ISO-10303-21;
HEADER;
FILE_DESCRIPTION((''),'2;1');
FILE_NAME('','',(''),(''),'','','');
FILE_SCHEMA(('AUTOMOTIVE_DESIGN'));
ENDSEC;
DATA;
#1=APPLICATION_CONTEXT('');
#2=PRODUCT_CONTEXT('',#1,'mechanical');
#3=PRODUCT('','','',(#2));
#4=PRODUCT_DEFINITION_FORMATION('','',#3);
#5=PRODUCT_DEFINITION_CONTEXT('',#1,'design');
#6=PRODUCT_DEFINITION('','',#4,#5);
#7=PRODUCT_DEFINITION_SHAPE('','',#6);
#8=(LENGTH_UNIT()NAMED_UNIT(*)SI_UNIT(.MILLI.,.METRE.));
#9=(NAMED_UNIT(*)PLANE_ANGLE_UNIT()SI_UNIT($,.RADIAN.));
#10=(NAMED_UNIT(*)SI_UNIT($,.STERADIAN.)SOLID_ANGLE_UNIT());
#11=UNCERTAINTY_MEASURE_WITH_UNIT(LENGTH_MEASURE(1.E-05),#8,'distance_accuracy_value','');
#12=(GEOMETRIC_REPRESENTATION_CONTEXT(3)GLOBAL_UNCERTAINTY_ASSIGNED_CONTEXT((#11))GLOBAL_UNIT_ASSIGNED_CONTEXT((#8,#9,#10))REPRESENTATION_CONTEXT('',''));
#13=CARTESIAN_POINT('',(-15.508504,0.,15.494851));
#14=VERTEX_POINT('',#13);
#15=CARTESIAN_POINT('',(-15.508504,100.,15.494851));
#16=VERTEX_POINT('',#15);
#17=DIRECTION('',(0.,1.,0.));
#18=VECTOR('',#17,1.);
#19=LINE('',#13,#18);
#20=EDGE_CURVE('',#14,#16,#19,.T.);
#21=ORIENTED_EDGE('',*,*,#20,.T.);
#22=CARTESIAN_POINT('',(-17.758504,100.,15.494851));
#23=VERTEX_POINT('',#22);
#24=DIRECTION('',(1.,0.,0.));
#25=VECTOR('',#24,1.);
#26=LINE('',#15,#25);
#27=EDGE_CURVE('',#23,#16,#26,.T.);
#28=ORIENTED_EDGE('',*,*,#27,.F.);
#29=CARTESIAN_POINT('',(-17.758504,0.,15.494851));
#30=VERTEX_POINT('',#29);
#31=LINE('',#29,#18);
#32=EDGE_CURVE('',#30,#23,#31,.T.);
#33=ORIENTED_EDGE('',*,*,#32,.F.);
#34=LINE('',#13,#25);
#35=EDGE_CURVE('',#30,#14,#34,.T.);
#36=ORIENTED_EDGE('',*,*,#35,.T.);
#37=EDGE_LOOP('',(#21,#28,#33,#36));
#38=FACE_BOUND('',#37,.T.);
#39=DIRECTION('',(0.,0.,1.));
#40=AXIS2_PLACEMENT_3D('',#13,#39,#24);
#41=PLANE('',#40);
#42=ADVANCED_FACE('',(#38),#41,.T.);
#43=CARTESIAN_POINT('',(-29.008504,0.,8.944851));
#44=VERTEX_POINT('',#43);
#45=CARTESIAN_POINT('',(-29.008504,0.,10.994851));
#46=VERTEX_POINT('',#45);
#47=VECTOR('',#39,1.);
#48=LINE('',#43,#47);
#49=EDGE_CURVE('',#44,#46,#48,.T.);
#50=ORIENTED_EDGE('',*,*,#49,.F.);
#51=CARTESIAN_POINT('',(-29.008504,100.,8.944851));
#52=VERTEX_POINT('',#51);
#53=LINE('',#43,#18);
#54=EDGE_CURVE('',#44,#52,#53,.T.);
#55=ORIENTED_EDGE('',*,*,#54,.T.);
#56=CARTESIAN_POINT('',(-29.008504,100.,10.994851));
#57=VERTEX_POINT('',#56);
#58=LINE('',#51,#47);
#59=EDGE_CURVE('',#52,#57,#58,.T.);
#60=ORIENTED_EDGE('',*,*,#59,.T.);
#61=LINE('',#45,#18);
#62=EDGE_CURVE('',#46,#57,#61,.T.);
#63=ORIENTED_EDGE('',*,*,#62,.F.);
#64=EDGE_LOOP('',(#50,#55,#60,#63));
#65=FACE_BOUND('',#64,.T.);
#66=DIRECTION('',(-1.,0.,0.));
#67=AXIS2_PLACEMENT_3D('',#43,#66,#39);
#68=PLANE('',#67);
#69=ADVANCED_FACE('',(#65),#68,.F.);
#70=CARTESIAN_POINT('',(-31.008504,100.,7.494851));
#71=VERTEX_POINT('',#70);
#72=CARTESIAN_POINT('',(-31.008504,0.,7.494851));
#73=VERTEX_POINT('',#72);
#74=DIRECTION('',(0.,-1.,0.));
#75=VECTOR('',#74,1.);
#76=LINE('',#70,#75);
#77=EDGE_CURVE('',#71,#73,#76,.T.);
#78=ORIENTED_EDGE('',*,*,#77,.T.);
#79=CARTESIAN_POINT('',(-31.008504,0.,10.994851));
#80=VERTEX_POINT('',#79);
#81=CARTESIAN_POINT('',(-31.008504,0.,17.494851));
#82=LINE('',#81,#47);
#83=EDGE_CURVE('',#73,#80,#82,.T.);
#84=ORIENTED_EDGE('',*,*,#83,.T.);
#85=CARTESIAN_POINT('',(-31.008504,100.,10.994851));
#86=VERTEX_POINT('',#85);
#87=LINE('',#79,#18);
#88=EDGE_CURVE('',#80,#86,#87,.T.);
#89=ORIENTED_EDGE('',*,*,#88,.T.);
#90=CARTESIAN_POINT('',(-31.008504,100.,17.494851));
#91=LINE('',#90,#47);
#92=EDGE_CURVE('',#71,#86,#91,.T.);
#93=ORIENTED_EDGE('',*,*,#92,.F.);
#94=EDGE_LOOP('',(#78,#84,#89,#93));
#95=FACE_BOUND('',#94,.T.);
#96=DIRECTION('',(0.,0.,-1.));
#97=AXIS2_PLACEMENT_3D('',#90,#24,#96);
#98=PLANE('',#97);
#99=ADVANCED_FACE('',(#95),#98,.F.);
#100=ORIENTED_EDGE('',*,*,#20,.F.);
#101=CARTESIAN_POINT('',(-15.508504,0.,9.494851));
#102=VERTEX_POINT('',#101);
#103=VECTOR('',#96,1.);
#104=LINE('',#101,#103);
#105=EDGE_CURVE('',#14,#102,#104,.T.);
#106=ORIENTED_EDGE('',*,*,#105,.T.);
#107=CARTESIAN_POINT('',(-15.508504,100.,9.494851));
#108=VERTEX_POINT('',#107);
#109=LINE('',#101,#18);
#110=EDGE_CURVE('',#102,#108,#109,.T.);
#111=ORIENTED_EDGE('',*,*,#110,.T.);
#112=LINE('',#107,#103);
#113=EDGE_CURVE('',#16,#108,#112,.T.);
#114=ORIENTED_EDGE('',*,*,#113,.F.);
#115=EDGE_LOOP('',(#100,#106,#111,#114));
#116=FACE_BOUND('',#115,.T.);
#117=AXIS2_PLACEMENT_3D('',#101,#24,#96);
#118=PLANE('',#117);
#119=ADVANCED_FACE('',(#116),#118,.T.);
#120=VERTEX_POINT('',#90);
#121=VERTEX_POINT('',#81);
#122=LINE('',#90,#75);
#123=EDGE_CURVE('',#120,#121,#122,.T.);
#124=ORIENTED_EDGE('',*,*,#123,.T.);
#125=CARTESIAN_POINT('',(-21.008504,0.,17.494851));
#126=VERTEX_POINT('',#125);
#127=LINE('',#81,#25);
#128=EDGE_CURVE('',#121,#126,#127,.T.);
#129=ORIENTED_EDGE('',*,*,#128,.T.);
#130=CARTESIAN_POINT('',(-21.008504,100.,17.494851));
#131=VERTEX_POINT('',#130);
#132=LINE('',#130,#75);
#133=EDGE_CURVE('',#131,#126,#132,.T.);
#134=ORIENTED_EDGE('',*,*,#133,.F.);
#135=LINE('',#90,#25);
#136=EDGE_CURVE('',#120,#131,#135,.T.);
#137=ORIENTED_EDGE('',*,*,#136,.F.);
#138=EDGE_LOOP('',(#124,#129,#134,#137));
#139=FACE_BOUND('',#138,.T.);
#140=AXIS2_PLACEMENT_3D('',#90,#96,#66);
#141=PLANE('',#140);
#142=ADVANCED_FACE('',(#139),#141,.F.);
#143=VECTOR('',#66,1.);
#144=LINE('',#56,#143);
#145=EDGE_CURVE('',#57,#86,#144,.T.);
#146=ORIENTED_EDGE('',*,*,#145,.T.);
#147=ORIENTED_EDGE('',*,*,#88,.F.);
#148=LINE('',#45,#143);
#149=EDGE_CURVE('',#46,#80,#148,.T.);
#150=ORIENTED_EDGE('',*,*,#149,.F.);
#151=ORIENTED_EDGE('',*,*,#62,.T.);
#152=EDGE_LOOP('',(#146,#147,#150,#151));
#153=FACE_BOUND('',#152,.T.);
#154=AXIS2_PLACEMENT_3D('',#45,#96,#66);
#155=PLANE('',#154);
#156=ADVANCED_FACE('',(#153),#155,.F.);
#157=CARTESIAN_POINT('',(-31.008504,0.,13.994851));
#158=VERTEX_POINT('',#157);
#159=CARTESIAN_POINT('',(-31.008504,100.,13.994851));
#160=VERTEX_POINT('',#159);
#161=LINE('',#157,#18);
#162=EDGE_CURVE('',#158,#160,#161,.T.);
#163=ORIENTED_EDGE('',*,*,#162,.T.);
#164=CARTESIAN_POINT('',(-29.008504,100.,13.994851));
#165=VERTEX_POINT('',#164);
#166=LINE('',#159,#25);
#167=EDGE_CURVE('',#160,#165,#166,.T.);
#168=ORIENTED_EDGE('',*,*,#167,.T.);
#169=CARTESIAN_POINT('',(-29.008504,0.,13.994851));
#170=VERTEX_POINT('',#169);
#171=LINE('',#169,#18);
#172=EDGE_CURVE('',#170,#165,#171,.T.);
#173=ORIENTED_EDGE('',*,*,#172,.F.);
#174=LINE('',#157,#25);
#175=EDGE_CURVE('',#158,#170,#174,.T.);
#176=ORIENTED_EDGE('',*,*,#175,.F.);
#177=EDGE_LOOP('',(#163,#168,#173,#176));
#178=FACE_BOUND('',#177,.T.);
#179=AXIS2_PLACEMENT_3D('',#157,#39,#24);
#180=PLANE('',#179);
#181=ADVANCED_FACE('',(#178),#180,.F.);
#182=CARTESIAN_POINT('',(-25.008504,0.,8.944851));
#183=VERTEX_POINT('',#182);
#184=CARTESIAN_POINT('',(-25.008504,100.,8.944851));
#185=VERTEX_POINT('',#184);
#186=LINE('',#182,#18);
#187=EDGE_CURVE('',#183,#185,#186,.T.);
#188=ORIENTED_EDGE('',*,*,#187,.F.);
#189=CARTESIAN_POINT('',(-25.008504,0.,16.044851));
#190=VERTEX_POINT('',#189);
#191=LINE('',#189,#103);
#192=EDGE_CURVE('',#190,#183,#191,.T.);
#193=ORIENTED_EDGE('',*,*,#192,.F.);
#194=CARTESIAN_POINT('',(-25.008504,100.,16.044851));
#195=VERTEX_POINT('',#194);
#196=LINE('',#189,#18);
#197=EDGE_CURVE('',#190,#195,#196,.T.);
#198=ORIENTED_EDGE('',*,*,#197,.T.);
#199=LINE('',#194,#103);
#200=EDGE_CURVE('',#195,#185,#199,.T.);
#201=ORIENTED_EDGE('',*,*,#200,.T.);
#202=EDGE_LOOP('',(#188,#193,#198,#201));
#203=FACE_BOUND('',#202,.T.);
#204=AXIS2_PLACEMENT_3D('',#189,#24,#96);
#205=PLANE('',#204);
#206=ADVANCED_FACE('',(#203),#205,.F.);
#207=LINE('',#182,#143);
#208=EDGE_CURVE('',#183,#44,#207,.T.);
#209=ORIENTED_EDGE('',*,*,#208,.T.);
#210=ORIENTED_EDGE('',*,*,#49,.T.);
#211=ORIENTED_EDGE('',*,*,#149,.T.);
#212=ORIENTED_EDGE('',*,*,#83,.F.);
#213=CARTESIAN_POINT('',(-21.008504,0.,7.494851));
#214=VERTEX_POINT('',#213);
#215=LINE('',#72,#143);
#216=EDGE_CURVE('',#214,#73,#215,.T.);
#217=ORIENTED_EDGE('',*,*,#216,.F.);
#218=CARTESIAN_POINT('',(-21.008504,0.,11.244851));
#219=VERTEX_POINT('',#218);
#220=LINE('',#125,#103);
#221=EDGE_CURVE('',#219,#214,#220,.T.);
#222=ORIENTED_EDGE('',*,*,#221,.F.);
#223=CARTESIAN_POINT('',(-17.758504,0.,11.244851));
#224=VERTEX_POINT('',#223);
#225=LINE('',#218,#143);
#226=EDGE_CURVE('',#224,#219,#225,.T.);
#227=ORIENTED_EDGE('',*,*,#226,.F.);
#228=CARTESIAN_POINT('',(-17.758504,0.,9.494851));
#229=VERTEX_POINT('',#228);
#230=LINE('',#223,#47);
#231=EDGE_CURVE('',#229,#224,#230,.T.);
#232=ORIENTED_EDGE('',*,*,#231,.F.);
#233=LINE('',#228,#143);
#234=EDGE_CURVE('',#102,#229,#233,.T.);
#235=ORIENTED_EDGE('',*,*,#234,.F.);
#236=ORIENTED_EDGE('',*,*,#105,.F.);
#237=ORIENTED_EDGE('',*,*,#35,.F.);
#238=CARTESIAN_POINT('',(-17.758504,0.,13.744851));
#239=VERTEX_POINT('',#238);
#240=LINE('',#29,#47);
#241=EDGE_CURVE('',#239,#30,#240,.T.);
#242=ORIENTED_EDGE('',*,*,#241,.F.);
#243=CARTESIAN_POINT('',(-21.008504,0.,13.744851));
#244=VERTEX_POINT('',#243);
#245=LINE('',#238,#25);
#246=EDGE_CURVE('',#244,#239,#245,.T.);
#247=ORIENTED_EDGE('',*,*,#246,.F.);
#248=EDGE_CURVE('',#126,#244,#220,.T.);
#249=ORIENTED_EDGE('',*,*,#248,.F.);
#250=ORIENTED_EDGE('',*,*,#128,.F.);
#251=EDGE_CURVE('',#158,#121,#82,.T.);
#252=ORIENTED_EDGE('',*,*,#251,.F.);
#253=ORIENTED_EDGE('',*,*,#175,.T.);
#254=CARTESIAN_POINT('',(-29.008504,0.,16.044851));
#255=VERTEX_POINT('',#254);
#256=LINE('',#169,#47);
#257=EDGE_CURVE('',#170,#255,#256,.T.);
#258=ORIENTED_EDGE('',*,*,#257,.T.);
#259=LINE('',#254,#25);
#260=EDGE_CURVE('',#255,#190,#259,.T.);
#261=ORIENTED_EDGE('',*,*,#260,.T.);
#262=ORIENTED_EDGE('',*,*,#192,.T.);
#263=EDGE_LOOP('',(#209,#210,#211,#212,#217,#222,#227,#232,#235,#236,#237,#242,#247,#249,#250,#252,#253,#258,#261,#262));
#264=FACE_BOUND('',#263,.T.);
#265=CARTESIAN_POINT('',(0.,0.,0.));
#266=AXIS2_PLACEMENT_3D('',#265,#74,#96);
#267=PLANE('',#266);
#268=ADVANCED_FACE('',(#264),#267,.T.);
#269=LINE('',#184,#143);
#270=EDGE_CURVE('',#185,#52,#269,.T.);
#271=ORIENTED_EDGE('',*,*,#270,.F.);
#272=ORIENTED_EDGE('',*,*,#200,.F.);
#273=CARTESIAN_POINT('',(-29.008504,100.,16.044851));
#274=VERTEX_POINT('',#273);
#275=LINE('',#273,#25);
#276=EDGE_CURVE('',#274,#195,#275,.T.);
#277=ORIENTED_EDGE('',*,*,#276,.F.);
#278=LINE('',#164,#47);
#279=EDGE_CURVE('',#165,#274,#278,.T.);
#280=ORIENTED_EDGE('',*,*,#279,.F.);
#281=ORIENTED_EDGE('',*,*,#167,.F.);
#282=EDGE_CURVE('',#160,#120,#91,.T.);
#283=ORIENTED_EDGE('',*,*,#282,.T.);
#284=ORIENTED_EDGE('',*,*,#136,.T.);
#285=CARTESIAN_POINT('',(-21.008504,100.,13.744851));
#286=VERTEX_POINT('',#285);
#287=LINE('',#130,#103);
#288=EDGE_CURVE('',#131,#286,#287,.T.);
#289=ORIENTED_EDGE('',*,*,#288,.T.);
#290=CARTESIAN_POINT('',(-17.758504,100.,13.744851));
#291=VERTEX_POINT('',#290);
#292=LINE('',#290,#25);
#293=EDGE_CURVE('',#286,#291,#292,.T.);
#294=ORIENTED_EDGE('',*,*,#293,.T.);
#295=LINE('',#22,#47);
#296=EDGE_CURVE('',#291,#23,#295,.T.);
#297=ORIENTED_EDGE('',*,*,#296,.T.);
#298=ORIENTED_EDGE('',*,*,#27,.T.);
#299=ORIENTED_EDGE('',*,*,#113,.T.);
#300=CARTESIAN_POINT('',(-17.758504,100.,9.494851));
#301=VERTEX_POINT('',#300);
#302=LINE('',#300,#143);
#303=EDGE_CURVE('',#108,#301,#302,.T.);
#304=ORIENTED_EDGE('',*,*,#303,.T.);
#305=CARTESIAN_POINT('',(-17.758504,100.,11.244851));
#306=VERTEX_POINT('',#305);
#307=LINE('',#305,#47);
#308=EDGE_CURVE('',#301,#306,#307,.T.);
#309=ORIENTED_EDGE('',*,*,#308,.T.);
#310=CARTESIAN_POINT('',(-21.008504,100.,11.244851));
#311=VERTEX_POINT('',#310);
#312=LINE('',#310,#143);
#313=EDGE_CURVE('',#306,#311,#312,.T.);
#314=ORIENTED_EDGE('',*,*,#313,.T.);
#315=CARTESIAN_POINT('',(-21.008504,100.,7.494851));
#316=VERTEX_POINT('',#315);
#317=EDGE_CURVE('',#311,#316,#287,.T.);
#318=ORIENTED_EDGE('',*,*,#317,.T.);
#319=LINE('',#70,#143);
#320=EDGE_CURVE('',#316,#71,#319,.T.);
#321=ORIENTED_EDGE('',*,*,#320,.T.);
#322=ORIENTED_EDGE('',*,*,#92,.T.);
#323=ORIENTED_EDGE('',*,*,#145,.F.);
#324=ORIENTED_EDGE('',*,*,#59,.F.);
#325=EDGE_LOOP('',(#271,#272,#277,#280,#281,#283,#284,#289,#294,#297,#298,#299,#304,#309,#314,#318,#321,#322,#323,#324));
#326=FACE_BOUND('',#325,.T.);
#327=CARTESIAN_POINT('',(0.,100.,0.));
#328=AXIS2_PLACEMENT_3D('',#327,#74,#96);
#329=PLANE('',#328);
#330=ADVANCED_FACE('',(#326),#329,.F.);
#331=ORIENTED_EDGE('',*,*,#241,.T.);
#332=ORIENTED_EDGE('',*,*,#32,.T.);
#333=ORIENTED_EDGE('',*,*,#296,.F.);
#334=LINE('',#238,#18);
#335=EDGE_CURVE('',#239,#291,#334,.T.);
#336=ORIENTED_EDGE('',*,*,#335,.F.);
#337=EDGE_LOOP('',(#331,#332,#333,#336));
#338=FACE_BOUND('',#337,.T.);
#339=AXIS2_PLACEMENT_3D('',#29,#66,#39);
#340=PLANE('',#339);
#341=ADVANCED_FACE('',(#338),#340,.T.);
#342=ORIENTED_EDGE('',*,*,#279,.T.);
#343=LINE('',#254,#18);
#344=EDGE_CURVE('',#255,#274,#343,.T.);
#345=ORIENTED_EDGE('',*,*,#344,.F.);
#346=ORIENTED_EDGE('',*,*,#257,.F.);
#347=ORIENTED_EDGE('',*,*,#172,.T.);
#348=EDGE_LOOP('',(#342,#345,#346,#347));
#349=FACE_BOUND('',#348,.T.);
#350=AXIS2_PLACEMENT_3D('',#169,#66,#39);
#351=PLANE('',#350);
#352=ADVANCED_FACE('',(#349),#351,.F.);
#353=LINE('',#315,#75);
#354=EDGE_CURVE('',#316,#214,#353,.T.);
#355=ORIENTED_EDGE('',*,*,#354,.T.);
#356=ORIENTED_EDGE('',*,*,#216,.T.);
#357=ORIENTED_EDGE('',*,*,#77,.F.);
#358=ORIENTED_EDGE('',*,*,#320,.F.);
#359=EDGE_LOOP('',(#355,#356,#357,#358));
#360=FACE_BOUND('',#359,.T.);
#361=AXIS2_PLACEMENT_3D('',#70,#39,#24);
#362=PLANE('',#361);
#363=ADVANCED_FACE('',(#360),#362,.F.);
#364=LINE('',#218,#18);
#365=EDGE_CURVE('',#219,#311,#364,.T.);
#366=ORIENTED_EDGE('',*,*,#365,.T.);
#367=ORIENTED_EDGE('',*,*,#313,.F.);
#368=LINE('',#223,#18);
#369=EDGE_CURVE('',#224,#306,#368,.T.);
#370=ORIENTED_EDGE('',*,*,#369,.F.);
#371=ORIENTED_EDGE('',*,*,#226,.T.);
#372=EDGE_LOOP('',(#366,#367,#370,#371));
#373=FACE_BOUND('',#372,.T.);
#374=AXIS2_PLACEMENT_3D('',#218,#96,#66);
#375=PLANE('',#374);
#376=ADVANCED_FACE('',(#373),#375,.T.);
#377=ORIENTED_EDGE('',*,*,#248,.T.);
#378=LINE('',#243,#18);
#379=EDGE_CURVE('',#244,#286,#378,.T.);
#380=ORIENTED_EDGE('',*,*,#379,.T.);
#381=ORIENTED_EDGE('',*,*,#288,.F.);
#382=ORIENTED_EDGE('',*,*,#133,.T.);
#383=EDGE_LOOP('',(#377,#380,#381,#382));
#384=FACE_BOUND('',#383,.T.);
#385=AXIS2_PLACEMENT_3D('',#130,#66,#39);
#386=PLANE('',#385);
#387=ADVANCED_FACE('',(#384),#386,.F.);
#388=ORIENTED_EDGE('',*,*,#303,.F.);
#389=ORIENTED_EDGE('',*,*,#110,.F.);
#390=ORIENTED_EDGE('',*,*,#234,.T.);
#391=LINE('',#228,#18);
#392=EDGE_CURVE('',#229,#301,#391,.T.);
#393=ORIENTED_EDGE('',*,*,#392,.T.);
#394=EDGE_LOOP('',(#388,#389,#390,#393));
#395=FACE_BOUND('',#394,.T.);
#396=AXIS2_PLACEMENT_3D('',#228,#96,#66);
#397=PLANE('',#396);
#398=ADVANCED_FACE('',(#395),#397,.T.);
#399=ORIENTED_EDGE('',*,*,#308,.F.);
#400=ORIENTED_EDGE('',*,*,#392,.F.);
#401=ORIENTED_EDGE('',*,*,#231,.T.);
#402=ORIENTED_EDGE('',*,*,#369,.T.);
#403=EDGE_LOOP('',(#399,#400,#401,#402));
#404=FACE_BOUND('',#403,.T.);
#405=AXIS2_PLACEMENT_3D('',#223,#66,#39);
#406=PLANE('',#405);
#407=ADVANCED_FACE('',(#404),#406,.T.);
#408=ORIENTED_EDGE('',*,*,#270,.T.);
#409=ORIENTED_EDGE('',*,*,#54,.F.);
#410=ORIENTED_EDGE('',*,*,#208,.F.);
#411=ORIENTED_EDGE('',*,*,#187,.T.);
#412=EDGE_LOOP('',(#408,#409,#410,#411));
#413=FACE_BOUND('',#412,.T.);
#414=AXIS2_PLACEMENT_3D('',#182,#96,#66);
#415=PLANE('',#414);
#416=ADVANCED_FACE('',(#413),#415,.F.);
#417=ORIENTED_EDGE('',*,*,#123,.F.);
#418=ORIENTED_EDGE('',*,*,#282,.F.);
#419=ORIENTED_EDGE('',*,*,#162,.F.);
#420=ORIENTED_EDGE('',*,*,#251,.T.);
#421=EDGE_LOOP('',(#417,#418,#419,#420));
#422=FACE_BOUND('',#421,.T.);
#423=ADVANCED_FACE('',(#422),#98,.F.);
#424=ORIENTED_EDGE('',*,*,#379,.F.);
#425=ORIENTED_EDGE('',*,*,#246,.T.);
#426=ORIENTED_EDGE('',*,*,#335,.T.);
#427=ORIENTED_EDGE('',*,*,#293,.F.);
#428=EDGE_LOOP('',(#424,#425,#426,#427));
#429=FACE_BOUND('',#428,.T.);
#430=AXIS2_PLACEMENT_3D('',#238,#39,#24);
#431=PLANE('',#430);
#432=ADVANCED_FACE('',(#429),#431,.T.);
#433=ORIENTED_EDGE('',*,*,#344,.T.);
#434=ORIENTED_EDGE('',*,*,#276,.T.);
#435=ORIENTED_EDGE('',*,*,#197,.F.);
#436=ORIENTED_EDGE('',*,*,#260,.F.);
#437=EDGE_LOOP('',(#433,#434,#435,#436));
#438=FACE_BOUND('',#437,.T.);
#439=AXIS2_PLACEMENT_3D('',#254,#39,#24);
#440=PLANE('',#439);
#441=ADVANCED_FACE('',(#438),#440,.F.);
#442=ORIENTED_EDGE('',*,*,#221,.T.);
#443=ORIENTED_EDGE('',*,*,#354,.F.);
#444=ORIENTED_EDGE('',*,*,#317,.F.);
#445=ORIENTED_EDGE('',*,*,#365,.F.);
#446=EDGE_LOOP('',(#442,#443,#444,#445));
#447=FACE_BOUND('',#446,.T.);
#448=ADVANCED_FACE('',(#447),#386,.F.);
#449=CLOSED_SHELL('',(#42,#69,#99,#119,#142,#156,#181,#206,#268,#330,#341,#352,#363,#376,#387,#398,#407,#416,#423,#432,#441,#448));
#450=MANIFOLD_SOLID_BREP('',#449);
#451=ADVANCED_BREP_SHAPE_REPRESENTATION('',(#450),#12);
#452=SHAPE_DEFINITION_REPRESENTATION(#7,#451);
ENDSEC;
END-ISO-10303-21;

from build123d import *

# Parameters (mm, degrees)
SKETCH1_W           = 10
SKETCH1_H           = 10
BOSS_EXTRUDE2_DEPTH = 100
BOSS_EXTRUDE4_DEPTH = 100
CUT_EXTRUDE1_DEPTH  = 100


with BuildPart() as part:
    # Sketch1 → Boss-Extrude2 (new body)
    with BuildSketch(Plane(origin=(0, 0, 0), x_dir=(1, 0, 0), z_dir=(0, 1, 0))):
        with Locations((-26.008503964, -12.494851211)):
            Rectangle(SKETCH1_W, SKETCH1_H)
    extrude(amount=BOSS_EXTRUDE2_DEPTH)

    # Sketch2 → Boss-Extrude4 (add)
    with BuildSketch(Plane(origin=(0, 100, 0), x_dir=(1, 0, 0), z_dir=(0, 1, 0))):
        Polygon((-21.008503964, -11.244851211), (-17.758503964, -11.244851211), (-17.758503964, -9.494851211), (-15.508503964, -9.494851211), (-15.508503964, -15.494851211), (-17.758503964, -15.494851211), (-17.758503964, -13.744851211), (-21.008503964, -13.744851211), align=None)
    extrude(amount=-BOSS_EXTRUDE4_DEPTH)

    # Sketch3 → Cut-Extrude1 (cut)
    with BuildSketch(Plane(origin=(0, 100, 0), x_dir=(1, 0, 0), z_dir=(0, 1, 0))):
        Polygon((-31.008503964, -13.994851211), (-29.008503964, -13.994851211), (-29.008503964, -16.044851211), (-25.008503964, -16.044851211), (-25.008503964, -8.944851211), (-29.008503964, -8.944851211), (-29.008503964, -10.994851211), (-31.008503964, -10.994851211), align=None)
    extrude(amount=-CUT_EXTRUDE1_DEPTH, mode=Mode.SUBTRACT)


solid = part.part
